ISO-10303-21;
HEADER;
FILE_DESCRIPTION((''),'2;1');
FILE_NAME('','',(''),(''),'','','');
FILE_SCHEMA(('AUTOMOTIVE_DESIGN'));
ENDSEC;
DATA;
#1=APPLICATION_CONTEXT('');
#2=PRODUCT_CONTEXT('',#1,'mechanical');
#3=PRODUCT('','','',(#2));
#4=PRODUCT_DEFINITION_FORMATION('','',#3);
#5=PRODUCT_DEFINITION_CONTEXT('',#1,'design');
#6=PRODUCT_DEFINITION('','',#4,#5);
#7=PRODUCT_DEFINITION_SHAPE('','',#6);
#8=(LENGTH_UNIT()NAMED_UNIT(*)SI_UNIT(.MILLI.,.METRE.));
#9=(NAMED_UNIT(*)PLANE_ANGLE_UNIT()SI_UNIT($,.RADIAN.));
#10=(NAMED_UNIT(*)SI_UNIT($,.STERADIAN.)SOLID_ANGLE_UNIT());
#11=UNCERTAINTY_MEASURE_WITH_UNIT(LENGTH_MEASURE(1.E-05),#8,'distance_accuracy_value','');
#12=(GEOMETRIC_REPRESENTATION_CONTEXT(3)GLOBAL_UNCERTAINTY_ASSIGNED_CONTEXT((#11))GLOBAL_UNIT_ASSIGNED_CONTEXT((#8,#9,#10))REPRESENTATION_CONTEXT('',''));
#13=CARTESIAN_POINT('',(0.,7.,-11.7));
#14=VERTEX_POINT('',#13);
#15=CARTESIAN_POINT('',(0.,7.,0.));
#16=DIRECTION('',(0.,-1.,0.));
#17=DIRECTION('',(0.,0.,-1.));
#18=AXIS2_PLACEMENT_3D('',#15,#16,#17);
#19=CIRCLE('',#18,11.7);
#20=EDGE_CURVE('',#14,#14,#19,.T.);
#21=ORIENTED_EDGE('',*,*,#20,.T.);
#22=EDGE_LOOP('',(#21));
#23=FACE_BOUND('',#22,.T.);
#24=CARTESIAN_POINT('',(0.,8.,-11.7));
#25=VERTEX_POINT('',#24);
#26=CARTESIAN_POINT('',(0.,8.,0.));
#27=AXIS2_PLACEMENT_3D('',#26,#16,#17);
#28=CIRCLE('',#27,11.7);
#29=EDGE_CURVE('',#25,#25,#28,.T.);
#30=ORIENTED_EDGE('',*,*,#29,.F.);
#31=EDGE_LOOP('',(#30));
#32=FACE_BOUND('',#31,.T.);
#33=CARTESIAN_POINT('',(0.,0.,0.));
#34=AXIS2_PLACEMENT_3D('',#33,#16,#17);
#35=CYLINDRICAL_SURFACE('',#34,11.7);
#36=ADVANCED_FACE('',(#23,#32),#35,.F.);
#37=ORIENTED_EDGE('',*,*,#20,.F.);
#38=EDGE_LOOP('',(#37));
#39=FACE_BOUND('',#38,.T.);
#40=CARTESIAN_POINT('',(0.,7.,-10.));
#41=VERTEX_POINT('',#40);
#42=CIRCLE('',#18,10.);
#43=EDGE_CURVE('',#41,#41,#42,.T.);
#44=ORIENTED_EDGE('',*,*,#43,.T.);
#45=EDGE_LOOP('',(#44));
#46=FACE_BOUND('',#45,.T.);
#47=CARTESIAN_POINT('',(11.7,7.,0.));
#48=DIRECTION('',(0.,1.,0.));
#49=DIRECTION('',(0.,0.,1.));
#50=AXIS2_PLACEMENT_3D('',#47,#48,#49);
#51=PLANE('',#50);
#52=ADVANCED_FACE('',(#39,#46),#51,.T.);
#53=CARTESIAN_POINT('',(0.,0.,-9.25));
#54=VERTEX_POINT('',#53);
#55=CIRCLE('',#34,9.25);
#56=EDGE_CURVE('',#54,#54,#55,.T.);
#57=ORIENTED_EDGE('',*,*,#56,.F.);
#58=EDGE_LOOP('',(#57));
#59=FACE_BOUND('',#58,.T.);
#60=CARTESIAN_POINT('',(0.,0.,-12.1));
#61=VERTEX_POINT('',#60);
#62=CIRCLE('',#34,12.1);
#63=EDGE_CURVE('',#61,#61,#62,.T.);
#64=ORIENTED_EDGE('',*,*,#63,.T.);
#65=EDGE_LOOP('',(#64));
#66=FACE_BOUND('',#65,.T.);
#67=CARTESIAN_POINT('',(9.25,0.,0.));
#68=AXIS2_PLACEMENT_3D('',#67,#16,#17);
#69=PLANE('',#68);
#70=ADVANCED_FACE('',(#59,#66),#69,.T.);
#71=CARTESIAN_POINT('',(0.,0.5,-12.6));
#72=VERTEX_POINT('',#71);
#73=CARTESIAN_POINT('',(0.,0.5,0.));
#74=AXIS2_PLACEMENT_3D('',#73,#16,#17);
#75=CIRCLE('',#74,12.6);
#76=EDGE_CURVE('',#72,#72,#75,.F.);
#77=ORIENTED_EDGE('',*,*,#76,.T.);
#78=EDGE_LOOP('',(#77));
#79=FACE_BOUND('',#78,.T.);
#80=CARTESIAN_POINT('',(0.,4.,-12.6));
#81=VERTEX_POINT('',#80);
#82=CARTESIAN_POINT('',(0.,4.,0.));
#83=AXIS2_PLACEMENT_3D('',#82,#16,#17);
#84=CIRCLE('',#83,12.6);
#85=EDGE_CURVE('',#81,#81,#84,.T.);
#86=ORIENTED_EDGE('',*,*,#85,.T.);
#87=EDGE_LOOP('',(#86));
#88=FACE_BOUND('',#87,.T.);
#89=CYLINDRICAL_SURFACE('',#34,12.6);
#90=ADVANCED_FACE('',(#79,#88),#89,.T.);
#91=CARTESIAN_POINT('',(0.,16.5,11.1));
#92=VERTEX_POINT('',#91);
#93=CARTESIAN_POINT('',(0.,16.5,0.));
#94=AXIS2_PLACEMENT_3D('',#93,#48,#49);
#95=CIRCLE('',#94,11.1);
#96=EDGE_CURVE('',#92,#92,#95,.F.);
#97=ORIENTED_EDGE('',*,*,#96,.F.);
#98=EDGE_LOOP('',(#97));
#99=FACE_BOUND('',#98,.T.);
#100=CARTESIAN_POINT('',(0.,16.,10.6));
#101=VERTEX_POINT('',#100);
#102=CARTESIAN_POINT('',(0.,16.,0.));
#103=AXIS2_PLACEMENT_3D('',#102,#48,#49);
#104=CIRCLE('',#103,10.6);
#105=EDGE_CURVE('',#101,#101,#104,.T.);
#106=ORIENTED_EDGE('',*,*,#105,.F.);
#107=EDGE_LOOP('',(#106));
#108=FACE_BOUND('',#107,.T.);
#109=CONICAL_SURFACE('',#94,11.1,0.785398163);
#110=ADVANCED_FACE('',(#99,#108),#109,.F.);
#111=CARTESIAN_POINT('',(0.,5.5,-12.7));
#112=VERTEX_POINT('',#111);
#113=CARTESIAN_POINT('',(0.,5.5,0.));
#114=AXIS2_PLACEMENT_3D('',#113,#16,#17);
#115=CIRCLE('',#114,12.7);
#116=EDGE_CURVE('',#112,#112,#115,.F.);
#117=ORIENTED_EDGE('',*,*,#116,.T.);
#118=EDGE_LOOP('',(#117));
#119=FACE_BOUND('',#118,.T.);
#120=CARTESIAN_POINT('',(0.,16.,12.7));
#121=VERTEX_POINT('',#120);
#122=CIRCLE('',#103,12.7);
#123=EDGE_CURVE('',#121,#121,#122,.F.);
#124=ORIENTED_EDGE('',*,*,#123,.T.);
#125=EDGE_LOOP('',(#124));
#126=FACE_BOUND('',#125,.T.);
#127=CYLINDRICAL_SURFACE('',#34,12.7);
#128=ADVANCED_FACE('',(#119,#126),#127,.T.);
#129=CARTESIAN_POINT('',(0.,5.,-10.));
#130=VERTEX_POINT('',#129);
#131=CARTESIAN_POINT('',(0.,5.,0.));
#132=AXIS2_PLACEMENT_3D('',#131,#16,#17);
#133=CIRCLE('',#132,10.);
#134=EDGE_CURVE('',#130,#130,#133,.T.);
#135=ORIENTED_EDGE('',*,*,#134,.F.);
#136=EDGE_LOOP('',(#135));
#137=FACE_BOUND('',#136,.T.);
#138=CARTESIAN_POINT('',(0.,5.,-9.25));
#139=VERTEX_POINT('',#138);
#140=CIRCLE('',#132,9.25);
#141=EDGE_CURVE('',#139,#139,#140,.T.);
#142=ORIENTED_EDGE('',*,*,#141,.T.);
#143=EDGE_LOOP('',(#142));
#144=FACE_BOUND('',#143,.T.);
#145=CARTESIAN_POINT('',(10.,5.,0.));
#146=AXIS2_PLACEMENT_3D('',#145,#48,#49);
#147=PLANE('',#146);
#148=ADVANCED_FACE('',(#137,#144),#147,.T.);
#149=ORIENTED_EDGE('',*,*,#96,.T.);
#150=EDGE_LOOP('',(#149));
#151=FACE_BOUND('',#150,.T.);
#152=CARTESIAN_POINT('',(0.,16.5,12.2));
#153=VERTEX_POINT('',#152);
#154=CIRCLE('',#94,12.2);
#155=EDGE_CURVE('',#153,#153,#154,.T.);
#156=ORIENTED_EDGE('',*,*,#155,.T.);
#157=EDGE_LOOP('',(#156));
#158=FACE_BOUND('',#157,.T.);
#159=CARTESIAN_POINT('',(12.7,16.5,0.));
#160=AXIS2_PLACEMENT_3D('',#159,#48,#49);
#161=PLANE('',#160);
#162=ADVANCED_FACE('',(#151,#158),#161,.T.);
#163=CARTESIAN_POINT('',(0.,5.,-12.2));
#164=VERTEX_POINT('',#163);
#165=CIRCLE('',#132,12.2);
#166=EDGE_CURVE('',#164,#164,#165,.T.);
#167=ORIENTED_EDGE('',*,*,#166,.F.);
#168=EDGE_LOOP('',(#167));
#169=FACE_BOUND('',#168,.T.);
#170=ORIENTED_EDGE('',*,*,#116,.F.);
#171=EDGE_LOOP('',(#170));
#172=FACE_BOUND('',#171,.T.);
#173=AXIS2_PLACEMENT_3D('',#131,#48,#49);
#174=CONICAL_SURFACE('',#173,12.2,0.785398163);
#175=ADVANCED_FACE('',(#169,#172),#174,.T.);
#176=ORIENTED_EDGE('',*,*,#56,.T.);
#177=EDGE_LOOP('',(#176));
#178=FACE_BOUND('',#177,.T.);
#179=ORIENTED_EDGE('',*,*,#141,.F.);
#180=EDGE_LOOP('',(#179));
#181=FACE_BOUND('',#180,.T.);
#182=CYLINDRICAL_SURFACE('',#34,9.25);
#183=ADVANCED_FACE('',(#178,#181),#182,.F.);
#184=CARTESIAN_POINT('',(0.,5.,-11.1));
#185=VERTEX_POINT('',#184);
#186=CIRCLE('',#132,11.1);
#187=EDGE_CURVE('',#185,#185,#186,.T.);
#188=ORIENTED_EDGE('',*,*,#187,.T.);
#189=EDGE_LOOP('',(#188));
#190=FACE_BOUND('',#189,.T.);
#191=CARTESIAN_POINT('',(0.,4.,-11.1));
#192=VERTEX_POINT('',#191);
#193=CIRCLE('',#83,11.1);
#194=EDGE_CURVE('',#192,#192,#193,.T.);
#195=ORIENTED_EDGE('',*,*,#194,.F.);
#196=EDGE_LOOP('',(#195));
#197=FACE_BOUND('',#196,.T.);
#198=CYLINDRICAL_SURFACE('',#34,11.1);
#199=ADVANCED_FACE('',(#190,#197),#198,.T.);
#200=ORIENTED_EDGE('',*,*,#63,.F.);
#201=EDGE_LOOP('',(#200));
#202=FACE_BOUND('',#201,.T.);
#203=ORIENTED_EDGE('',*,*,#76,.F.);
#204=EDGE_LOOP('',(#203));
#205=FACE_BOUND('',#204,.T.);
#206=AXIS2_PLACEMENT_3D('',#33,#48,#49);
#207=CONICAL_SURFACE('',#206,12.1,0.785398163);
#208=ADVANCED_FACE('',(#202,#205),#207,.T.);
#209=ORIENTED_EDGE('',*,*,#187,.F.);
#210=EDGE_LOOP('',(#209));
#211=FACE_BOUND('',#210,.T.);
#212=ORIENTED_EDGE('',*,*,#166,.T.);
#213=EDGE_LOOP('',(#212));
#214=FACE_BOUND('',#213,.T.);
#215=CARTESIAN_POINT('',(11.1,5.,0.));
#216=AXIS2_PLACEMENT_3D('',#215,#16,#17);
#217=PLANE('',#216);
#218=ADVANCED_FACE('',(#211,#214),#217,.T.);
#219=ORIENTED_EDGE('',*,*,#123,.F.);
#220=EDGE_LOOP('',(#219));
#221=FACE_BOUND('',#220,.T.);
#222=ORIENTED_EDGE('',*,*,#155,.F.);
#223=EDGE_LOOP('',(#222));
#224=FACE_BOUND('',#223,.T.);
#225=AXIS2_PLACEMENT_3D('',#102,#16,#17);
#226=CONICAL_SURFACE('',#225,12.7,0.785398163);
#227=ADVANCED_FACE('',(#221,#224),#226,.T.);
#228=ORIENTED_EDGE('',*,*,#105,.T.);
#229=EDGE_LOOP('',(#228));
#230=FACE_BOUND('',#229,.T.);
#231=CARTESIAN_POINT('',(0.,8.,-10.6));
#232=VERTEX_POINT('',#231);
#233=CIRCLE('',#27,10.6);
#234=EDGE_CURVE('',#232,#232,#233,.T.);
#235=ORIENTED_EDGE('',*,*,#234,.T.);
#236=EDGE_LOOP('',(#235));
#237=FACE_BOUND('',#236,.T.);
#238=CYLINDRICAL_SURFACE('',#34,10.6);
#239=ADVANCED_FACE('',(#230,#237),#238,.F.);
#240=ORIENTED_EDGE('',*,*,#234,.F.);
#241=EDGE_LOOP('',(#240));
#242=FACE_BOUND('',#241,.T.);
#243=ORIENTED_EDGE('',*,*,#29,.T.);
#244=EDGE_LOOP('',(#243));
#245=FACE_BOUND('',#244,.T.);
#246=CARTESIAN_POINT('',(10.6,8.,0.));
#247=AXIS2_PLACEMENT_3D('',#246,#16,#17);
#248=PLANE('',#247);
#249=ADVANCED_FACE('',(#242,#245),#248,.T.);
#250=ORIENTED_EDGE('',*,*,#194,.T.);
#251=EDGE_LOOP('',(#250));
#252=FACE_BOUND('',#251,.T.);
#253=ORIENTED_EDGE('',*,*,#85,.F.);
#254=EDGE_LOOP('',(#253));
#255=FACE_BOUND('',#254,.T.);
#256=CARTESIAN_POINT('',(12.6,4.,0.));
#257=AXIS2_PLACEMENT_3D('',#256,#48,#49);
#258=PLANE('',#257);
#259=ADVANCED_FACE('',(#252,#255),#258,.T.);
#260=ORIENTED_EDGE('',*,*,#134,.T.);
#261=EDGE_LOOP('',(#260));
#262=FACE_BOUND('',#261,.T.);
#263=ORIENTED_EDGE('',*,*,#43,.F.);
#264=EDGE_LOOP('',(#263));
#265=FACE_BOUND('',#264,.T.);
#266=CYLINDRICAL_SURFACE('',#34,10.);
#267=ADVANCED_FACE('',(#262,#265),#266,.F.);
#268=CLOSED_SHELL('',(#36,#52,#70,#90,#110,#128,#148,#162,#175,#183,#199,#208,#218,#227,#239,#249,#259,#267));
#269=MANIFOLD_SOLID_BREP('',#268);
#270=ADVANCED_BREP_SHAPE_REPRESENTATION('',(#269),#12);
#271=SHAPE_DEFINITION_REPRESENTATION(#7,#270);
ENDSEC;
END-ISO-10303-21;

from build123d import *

# Parameters (mm, degrees)
CHAMFER_1_SIZE = 0.5


with BuildPart() as part:
    # 草图1 → 旋转1 (revolve)
    with BuildSketch(Plane.XY, mode=Mode.PRIVATE) as revolve_1_sk:
        Polygon((9.25, 0), (12.6, 0), (12.6, 4), (11.1, 4), (11.1, 5), (12.7, 5), (12.7, 16.5), (10.6, 16.5), (10.6, 8), (11.7, 8), (11.7, 7), (10, 7), (10, 5), (9.25, 5), align=None)
    revolve(revolve_1_sk.sketch.rotate(Axis((0, 0, 0), (0, 1, 0)), 90), axis=Axis((0, 0, 0), (0, 1, 0)))  # turned: the seam where the file's is

    # 倒角1
    chamfer_1_edges = [part.edges().sort_by_distance(p)[0] for p in [
        (0, 16.5, 10.6),
        (0, 16.5, 12.7),
        (0, 5, 12.7),
        (0, 0, 12.6),
    ]]
    chamfer(chamfer_1_edges, length=CHAMFER_1_SIZE)


solid = part.part
